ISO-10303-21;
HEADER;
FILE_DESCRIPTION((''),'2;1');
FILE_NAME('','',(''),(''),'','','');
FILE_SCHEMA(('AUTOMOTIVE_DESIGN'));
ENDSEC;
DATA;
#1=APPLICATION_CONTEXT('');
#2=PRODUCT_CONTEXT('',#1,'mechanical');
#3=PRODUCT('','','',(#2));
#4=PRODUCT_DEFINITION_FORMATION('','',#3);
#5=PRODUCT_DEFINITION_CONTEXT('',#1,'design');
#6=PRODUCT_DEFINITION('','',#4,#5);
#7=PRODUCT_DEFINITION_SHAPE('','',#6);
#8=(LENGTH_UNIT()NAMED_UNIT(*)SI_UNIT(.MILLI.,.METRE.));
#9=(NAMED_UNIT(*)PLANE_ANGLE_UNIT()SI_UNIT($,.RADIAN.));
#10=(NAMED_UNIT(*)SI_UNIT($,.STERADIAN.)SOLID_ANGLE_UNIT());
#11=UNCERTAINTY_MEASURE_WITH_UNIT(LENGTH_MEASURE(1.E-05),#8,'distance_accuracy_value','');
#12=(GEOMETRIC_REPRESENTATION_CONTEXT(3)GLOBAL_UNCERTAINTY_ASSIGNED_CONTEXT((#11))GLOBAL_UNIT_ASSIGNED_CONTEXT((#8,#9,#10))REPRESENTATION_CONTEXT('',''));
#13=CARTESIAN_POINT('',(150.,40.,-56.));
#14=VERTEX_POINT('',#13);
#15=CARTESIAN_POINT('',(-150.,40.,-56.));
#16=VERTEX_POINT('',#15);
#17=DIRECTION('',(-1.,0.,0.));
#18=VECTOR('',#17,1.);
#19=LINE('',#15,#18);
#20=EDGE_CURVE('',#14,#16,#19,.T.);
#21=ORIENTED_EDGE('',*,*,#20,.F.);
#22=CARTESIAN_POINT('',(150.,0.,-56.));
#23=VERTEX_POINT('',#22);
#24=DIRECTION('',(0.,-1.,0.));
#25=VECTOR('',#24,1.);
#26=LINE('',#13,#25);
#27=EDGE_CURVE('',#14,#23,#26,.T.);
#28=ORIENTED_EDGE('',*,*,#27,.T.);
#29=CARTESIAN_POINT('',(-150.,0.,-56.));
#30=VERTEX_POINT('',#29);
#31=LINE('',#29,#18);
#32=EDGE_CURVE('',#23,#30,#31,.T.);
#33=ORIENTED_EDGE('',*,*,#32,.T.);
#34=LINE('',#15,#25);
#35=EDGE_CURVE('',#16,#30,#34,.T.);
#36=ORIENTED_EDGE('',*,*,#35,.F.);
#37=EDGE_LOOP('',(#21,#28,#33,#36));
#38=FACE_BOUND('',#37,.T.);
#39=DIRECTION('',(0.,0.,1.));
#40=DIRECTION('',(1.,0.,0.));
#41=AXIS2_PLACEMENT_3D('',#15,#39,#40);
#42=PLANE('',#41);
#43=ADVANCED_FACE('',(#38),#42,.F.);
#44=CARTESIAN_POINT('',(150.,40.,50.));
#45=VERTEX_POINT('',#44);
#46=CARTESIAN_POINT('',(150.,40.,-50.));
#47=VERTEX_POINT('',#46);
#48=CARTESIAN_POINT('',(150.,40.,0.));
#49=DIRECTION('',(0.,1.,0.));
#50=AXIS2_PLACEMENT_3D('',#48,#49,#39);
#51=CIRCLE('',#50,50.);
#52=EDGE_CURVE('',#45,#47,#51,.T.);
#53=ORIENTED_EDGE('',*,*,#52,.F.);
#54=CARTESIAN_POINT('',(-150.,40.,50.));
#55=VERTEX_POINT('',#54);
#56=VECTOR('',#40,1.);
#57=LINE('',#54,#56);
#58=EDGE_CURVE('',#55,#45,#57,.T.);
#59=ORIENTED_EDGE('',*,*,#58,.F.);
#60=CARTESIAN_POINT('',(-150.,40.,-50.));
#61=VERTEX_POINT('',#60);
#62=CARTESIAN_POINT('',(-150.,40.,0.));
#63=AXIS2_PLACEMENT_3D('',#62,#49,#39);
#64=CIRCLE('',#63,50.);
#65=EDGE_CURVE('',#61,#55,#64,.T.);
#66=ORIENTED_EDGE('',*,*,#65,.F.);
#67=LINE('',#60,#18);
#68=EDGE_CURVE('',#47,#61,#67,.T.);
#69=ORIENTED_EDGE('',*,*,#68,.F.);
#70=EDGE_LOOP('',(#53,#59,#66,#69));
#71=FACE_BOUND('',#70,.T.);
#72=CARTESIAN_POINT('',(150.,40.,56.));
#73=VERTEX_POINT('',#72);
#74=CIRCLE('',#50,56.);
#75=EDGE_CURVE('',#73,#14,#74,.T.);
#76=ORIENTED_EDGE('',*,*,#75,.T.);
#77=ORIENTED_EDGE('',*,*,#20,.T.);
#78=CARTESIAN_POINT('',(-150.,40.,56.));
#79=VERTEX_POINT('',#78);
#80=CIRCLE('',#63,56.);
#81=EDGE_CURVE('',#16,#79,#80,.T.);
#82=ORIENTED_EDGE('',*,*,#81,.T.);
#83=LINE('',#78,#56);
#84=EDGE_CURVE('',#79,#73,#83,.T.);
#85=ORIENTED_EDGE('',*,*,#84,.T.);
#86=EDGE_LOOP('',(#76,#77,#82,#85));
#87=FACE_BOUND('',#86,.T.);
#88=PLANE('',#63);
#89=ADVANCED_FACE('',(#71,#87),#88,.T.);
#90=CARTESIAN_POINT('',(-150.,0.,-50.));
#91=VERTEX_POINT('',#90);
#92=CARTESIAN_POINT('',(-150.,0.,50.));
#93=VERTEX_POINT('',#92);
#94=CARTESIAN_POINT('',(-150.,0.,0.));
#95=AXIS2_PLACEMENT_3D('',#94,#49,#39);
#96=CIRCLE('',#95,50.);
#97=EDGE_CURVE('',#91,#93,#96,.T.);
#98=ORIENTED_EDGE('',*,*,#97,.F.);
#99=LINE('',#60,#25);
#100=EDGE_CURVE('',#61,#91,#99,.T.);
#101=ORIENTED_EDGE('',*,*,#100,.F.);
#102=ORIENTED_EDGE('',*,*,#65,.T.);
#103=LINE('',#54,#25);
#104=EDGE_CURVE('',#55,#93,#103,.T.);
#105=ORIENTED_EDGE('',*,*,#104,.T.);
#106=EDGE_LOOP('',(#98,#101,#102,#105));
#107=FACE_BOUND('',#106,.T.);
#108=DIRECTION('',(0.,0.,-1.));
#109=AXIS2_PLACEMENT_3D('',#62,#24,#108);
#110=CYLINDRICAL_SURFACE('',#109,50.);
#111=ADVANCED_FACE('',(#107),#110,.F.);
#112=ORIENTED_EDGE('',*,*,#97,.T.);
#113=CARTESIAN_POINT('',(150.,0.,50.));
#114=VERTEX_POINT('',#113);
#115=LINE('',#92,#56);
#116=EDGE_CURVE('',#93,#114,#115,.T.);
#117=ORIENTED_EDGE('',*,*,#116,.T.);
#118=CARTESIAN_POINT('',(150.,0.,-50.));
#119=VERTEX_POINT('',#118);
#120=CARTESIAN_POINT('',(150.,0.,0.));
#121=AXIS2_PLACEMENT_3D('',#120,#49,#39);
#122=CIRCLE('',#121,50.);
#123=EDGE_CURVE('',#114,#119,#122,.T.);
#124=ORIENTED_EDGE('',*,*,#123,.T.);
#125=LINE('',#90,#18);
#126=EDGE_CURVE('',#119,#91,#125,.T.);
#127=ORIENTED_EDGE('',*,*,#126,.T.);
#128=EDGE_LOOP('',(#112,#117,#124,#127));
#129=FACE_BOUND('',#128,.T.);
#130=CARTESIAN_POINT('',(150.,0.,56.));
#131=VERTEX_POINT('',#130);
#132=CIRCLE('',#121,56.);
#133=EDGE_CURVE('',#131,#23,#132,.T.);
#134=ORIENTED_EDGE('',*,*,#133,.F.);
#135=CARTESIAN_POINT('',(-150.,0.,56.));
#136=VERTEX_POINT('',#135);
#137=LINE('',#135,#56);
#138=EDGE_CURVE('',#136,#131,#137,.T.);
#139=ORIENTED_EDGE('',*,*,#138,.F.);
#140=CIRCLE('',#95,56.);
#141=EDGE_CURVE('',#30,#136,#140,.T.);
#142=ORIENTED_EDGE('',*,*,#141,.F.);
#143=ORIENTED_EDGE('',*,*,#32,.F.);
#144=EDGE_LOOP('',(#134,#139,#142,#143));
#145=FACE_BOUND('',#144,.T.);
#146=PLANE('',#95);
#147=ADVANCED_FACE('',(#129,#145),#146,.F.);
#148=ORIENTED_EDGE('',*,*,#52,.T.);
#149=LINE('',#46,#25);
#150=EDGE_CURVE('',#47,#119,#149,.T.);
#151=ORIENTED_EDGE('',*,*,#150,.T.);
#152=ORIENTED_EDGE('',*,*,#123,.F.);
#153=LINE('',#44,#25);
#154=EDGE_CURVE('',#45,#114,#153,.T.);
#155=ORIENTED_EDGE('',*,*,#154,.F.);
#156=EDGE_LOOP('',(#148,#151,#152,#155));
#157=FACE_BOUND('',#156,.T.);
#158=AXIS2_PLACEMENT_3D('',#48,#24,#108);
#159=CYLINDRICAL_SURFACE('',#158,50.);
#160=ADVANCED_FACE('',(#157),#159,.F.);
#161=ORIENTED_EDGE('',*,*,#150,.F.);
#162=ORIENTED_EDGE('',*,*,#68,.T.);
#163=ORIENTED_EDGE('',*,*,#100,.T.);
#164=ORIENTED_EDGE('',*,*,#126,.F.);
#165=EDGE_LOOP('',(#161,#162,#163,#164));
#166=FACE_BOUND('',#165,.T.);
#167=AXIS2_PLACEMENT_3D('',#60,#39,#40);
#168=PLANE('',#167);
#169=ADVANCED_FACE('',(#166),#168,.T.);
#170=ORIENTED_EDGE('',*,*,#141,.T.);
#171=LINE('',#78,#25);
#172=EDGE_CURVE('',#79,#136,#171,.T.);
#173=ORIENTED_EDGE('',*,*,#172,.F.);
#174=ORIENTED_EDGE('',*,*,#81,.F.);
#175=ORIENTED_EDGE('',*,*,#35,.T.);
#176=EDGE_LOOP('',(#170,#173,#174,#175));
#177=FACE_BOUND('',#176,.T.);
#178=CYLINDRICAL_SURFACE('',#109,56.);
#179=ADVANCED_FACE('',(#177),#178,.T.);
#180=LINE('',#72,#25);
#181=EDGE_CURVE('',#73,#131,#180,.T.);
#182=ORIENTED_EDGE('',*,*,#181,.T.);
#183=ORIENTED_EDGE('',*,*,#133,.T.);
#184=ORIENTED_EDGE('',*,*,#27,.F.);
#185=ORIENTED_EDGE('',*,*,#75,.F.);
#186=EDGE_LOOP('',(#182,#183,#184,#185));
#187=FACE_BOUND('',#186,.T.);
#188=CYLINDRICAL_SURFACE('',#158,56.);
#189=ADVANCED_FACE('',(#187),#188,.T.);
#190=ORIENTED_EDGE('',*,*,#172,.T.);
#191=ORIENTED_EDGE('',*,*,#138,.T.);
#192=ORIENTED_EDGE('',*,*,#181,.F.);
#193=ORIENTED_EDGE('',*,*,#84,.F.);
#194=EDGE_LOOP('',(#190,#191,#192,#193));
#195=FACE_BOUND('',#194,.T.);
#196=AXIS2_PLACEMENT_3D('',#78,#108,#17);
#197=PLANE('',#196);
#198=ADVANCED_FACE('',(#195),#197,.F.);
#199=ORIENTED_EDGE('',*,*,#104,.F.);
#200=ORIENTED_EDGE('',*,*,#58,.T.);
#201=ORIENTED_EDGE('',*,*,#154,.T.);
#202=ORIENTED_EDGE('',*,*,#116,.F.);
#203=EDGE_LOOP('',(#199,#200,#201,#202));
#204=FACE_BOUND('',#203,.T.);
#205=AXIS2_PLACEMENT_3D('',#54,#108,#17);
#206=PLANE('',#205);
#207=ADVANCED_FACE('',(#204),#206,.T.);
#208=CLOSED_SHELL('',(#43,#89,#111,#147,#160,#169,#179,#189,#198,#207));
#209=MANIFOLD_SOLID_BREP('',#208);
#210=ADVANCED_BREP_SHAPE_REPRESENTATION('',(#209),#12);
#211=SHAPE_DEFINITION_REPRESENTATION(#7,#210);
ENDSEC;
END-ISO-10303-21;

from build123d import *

# Parameters (mm, degrees)
BOSS_EXTRUDE1_DEPTH = 40


with BuildPart() as part:
    # Sketch1 → Boss-Extrude1 (new body)
    with BuildSketch(Plane(origin=(0, 0, 0), x_dir=(1, 0, 0), z_dir=(0, 1, 0))):
        with BuildLine():
            Line((-150, 56), (150, 56))
            ThreePointArc((150, 56), (206, 0), (150, -56))
            Line((150, -56), (-150, -56))
            ThreePointArc((-150, -56), (-206, 0), (-150, 56))
        make_face()
        with BuildLine():
            Line((-150, 50), (150, 50))
            ThreePointArc((150, 50), (200, 0), (150, -50))
            Line((150, -50), (-150, -50))
            ThreePointArc((-150, -50), (-200, 0), (-150, 50))
        make_face(mode=Mode.SUBTRACT)
    extrude(amount=BOSS_EXTRUDE1_DEPTH)


solid = part.part
